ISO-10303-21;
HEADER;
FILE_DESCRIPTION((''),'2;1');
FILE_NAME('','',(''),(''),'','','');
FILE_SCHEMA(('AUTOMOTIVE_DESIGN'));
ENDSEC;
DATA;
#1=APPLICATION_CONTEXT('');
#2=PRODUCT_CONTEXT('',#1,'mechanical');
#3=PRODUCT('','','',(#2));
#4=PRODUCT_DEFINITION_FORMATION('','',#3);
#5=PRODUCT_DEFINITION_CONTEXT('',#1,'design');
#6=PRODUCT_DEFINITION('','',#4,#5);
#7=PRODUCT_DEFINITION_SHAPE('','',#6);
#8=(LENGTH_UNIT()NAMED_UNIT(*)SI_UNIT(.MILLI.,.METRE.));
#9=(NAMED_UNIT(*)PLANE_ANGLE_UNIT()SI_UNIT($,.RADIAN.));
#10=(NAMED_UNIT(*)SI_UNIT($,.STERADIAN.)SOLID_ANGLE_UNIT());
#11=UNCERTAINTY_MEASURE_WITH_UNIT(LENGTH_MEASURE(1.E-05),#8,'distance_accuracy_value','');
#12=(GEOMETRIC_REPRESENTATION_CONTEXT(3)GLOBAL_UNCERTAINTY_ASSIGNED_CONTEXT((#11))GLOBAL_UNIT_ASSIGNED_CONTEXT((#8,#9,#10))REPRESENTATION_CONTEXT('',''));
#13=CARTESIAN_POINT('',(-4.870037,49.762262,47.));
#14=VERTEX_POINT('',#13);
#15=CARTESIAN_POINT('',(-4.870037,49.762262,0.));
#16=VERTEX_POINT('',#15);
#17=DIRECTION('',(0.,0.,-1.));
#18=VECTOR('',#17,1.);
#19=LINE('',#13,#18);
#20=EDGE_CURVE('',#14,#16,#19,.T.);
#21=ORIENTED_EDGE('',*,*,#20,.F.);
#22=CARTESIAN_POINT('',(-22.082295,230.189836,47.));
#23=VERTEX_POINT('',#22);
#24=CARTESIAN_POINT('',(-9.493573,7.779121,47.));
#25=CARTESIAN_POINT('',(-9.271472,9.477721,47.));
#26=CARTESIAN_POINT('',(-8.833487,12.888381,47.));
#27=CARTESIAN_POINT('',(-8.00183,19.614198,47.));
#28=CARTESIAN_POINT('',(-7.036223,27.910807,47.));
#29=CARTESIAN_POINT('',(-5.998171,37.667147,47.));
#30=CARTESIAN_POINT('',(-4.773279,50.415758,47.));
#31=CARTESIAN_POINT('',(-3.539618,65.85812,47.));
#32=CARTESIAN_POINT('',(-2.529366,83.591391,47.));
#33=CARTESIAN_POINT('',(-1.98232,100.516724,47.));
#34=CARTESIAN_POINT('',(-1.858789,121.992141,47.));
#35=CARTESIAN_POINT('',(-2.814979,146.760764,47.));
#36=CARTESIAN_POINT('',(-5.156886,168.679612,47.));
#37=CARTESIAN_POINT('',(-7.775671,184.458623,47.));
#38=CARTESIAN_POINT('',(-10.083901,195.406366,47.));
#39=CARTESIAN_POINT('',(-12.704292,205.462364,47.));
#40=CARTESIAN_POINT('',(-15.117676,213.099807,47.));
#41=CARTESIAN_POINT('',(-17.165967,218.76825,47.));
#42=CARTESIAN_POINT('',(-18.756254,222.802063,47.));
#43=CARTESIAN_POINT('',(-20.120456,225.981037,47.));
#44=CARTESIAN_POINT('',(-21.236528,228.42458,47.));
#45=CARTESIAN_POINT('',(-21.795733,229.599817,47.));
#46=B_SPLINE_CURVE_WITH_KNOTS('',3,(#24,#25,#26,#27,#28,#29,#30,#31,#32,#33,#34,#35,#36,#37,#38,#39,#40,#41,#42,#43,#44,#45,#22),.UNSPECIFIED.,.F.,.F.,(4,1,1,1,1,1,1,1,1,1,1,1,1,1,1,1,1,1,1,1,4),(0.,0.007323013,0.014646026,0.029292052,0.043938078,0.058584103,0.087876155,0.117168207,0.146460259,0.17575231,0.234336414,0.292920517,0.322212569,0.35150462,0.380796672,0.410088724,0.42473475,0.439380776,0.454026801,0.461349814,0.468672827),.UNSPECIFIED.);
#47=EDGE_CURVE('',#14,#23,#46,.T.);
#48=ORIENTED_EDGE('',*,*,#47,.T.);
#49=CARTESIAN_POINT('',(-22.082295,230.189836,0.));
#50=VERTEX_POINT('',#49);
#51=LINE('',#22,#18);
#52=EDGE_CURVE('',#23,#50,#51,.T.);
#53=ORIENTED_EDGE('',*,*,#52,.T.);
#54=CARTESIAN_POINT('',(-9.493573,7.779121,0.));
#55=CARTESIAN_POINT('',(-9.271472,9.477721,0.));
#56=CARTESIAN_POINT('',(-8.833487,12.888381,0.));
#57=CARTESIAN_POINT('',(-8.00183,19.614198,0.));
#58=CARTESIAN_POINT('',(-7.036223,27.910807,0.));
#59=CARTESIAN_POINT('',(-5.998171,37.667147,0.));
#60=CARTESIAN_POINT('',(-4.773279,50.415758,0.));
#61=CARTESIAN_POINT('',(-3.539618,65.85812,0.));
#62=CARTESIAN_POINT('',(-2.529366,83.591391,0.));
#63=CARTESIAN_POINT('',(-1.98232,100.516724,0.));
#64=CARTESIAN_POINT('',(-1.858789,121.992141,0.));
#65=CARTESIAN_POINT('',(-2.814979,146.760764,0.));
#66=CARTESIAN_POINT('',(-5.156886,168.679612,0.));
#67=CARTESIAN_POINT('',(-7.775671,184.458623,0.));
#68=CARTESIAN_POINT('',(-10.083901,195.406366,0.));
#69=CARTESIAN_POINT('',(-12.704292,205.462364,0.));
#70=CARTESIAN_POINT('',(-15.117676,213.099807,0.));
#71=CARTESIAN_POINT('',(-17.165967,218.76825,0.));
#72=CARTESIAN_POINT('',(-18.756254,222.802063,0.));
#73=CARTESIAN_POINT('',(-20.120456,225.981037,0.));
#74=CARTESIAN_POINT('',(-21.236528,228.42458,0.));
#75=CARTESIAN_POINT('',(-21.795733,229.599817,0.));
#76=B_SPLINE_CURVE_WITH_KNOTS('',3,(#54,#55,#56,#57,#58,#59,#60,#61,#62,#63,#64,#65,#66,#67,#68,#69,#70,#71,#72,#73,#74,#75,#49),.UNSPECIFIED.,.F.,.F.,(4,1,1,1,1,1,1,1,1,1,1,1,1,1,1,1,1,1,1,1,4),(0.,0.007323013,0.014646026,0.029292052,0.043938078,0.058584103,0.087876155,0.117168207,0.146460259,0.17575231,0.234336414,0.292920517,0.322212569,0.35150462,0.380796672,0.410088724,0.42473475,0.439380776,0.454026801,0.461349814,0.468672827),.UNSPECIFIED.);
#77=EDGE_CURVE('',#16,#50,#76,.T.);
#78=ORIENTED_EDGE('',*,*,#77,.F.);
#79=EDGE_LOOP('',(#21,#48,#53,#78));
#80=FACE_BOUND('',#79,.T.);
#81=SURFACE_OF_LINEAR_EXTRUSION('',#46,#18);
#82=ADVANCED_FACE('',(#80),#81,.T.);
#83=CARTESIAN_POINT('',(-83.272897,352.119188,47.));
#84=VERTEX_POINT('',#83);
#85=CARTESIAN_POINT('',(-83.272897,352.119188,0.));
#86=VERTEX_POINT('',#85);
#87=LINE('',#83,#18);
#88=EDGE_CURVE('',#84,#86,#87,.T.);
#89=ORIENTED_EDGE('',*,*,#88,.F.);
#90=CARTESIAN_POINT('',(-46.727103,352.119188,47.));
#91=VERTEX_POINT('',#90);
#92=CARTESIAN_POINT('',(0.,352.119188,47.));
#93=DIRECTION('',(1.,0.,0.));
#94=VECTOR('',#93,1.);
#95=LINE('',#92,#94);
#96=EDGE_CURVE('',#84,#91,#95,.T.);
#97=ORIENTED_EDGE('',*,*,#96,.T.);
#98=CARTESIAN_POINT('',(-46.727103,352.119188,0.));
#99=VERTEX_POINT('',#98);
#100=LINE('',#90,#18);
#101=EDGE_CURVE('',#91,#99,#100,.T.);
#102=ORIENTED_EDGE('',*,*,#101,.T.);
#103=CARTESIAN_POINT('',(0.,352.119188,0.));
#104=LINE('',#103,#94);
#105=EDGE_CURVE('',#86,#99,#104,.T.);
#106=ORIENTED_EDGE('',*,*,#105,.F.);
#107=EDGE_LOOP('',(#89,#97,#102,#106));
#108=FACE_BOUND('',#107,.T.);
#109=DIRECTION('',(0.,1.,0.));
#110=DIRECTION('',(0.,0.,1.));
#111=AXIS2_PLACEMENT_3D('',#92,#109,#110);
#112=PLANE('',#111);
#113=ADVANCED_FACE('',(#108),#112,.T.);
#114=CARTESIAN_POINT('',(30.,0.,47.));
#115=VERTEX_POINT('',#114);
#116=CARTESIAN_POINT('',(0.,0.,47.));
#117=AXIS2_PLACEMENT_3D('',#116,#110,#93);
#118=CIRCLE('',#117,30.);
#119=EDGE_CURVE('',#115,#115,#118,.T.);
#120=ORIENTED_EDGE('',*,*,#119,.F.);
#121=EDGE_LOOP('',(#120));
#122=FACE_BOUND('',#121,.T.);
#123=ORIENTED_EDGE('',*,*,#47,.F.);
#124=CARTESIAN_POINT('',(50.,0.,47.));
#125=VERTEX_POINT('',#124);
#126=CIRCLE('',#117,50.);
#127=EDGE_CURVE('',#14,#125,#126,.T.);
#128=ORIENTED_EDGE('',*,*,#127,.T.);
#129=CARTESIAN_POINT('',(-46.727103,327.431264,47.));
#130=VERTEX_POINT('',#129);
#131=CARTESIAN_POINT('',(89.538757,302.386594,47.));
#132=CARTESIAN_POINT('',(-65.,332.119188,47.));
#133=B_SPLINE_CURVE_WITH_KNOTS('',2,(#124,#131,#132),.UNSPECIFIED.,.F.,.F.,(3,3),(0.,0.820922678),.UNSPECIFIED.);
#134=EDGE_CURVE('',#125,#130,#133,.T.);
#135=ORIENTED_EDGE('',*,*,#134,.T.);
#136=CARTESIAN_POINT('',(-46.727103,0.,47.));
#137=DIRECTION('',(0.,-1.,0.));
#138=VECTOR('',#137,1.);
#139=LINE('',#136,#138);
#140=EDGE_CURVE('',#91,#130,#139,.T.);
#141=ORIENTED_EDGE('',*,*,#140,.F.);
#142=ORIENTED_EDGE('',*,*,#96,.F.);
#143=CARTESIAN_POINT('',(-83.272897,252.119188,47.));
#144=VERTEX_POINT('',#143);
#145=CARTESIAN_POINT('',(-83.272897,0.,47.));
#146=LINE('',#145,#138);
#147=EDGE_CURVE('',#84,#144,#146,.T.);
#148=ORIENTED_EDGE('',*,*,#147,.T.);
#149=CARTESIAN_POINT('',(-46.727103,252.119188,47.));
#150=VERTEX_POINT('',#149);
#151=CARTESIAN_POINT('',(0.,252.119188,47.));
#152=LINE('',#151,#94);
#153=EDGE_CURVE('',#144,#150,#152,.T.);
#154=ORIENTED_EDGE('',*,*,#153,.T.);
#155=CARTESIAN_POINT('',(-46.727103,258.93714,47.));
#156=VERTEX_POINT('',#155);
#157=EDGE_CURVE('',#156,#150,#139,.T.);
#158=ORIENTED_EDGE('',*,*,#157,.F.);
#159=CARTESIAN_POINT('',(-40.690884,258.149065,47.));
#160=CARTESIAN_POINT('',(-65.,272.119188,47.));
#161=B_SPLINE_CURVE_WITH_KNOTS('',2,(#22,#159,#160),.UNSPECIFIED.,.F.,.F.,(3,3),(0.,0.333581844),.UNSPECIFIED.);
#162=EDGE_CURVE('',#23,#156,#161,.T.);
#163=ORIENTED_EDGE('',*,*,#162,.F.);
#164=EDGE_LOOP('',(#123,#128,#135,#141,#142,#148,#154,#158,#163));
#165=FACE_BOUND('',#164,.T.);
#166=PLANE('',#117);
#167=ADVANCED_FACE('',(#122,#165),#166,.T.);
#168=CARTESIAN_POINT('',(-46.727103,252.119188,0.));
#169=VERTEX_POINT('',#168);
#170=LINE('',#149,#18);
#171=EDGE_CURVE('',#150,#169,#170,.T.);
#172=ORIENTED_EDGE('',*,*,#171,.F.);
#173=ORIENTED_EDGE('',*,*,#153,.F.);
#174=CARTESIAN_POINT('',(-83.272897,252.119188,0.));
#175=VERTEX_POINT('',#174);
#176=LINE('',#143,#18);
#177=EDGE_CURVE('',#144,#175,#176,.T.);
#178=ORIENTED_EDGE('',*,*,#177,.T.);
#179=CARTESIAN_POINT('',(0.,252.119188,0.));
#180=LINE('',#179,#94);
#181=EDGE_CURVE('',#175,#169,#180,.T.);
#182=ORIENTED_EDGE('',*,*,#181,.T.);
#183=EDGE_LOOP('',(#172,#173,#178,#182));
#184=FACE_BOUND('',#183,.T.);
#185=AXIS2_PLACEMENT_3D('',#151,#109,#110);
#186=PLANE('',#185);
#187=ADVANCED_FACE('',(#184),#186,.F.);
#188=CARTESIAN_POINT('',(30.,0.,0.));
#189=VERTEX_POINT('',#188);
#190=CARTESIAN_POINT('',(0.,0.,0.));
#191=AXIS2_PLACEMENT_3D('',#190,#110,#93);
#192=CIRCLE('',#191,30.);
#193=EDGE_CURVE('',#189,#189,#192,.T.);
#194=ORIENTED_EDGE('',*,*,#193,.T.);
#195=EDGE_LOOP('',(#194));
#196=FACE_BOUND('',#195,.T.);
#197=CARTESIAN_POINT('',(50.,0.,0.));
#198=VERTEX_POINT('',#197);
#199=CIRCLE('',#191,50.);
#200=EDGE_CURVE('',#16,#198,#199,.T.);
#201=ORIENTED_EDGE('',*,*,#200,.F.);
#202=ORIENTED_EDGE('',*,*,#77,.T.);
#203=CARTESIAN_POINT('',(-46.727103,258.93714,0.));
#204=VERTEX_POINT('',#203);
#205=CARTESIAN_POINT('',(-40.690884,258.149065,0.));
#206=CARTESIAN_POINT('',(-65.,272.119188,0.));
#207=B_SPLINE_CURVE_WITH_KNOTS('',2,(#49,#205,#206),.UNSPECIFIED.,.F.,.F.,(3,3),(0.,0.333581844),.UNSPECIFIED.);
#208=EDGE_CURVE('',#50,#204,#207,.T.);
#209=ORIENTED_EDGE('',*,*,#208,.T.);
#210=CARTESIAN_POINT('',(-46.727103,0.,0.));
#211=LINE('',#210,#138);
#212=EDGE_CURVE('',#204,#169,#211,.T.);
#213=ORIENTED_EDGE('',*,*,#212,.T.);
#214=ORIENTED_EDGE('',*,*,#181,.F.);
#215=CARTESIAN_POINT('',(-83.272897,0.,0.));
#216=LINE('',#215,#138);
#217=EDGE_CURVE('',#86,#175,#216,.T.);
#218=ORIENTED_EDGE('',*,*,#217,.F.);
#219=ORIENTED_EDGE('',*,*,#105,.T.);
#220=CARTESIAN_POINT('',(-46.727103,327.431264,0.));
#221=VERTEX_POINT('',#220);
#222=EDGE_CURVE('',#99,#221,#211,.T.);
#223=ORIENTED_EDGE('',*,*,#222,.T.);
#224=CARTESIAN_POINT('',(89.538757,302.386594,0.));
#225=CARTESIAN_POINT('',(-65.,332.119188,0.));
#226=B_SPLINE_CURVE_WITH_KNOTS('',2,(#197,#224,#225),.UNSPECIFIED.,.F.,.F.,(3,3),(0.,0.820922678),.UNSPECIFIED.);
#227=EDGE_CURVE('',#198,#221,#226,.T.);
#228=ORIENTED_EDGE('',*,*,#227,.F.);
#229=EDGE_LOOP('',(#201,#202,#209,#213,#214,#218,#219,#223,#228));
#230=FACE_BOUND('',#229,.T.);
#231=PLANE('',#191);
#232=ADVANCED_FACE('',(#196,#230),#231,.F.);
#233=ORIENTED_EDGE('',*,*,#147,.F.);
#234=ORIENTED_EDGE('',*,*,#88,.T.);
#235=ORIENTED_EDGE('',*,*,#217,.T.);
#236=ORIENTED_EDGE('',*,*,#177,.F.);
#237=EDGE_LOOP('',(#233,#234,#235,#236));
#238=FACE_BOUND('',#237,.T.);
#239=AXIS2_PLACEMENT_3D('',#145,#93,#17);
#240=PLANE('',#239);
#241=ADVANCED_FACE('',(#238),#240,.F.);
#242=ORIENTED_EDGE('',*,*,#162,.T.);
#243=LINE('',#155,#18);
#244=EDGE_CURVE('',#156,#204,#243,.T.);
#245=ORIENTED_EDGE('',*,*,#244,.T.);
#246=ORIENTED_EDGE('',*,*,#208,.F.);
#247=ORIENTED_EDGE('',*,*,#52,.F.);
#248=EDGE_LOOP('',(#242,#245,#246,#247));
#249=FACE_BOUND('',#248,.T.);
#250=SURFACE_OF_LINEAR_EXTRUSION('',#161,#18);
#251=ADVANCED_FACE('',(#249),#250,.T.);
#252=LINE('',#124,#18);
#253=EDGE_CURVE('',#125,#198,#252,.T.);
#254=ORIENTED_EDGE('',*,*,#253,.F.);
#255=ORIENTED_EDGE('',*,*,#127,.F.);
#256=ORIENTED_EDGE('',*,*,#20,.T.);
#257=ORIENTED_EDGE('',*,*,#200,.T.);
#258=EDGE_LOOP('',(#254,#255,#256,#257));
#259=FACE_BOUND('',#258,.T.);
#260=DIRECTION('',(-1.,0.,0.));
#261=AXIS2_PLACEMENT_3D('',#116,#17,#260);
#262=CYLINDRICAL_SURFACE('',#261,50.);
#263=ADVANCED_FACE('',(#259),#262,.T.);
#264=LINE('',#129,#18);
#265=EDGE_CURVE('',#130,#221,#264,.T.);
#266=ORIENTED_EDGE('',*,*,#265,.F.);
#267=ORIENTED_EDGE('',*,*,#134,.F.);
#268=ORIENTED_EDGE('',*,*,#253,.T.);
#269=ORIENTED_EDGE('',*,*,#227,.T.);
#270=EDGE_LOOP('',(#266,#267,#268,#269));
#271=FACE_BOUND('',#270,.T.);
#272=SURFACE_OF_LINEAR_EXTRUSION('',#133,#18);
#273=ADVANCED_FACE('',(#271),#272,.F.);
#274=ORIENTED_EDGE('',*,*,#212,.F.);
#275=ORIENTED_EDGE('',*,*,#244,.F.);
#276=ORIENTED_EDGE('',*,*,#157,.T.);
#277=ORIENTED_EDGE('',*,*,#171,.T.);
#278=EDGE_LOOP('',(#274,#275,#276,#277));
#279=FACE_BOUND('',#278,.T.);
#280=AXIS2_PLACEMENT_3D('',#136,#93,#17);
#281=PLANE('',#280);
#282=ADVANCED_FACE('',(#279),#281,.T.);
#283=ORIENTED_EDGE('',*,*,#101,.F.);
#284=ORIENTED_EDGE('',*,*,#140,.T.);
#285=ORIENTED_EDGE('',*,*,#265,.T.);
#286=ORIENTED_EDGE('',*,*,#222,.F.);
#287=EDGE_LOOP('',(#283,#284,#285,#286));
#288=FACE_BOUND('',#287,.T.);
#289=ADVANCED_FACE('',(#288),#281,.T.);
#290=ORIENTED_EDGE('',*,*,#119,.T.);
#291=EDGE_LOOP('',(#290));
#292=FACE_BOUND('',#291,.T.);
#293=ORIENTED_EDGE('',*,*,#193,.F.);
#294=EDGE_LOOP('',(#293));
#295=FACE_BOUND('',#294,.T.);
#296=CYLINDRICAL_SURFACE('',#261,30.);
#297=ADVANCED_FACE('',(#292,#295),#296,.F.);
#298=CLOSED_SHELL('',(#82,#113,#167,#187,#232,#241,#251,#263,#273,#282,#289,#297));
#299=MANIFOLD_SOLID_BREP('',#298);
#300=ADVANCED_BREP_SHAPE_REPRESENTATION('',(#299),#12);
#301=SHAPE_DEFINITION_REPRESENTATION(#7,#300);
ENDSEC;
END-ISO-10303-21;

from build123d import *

# Parameters (mm, degrees)
SKETCH1_R           = 50
SKETCH1_R_2         = 30
BOSS_EXTRUDE1_DEPTH = 47


with BuildPart() as part:
    # Sketch1 → Boss-Extrude1 (new body)
    with BuildSketch(Plane.XY):
        with BuildLine():
            Line((-46.727102691, 252.119188355), (-46.727102691, 258.937140002))
            add(Edge.make_bspline(
                [(-22.082294652, 230.189836254), (-33.358154649, 247.131709382), (-46.727102689, 258.937140004)],
                knots=[0, 0, 0, 0.202133658, 0.202133658, 0.202133658], degree=2))
            add(Edge.make_bspline(
                [(-4.870036741, 49.762262229), (-4.393775013, 55.181886992), (-3.493820314, 66.662022051), (-2.529366378, 83.59139057), (-1.982320476, 100.516724073), (-1.858789362, 121.992140621), (-2.814978943, 146.760764163), (-5.156886221, 168.679611703), (-7.775671314, 184.458623381), (-10.08390129, 195.406366158), (-12.704291898, 205.462363583), (-15.117675621, 213.09980662), (-17.165967371, 218.768249548), (-18.756253721, 222.802063426), (-20.120456476, 225.981036836), (-21.236527654, 228.424580455), (-21.795733048, 229.59981685), (-22.082294652, 230.189836254)],
                knots=[0.06256779, 0.06256779, 0.06256779, 0.06256779, 0.087876155, 0.117168207, 0.146460259, 0.17575231, 0.234336414, 0.292920517, 0.322212569, 0.35150462, 0.380796672, 0.410088724, 0.42473475, 0.439380776, 0.454026801, 0.461349814, 0.468672827, 0.468672827, 0.468672827, 0.468672827], degree=3))
            ThreePointArc((-4.870036741, 49.762262229), (33.589419189, 37.037155918), (50, 0))
            add(Edge.make_bspline(
                [(50, 0), (87.107306859, 283.791217757), (-46.727102691, 327.431264092)],
                knots=[0, 0, 0, 0.770439733, 0.770439733, 0.770439733], degree=2))
            Line((-46.727102691, 327.431264091), (-46.727102691, 352.119188355))
            Line((-46.727102691, 352.119188355), (-83.272897309, 352.119188355))
            Line((-83.272897309, 352.119188355), (-83.272897309, 252.119188355))
            Line((-83.272897309, 252.119188355), (-46.727102691, 252.119188355))
        make_face()
        Circle(SKETCH1_R)
        Circle(SKETCH1_R_2, mode=Mode.SUBTRACT)
    extrude(amount=BOSS_EXTRUDE1_DEPTH)


solid = part.part
